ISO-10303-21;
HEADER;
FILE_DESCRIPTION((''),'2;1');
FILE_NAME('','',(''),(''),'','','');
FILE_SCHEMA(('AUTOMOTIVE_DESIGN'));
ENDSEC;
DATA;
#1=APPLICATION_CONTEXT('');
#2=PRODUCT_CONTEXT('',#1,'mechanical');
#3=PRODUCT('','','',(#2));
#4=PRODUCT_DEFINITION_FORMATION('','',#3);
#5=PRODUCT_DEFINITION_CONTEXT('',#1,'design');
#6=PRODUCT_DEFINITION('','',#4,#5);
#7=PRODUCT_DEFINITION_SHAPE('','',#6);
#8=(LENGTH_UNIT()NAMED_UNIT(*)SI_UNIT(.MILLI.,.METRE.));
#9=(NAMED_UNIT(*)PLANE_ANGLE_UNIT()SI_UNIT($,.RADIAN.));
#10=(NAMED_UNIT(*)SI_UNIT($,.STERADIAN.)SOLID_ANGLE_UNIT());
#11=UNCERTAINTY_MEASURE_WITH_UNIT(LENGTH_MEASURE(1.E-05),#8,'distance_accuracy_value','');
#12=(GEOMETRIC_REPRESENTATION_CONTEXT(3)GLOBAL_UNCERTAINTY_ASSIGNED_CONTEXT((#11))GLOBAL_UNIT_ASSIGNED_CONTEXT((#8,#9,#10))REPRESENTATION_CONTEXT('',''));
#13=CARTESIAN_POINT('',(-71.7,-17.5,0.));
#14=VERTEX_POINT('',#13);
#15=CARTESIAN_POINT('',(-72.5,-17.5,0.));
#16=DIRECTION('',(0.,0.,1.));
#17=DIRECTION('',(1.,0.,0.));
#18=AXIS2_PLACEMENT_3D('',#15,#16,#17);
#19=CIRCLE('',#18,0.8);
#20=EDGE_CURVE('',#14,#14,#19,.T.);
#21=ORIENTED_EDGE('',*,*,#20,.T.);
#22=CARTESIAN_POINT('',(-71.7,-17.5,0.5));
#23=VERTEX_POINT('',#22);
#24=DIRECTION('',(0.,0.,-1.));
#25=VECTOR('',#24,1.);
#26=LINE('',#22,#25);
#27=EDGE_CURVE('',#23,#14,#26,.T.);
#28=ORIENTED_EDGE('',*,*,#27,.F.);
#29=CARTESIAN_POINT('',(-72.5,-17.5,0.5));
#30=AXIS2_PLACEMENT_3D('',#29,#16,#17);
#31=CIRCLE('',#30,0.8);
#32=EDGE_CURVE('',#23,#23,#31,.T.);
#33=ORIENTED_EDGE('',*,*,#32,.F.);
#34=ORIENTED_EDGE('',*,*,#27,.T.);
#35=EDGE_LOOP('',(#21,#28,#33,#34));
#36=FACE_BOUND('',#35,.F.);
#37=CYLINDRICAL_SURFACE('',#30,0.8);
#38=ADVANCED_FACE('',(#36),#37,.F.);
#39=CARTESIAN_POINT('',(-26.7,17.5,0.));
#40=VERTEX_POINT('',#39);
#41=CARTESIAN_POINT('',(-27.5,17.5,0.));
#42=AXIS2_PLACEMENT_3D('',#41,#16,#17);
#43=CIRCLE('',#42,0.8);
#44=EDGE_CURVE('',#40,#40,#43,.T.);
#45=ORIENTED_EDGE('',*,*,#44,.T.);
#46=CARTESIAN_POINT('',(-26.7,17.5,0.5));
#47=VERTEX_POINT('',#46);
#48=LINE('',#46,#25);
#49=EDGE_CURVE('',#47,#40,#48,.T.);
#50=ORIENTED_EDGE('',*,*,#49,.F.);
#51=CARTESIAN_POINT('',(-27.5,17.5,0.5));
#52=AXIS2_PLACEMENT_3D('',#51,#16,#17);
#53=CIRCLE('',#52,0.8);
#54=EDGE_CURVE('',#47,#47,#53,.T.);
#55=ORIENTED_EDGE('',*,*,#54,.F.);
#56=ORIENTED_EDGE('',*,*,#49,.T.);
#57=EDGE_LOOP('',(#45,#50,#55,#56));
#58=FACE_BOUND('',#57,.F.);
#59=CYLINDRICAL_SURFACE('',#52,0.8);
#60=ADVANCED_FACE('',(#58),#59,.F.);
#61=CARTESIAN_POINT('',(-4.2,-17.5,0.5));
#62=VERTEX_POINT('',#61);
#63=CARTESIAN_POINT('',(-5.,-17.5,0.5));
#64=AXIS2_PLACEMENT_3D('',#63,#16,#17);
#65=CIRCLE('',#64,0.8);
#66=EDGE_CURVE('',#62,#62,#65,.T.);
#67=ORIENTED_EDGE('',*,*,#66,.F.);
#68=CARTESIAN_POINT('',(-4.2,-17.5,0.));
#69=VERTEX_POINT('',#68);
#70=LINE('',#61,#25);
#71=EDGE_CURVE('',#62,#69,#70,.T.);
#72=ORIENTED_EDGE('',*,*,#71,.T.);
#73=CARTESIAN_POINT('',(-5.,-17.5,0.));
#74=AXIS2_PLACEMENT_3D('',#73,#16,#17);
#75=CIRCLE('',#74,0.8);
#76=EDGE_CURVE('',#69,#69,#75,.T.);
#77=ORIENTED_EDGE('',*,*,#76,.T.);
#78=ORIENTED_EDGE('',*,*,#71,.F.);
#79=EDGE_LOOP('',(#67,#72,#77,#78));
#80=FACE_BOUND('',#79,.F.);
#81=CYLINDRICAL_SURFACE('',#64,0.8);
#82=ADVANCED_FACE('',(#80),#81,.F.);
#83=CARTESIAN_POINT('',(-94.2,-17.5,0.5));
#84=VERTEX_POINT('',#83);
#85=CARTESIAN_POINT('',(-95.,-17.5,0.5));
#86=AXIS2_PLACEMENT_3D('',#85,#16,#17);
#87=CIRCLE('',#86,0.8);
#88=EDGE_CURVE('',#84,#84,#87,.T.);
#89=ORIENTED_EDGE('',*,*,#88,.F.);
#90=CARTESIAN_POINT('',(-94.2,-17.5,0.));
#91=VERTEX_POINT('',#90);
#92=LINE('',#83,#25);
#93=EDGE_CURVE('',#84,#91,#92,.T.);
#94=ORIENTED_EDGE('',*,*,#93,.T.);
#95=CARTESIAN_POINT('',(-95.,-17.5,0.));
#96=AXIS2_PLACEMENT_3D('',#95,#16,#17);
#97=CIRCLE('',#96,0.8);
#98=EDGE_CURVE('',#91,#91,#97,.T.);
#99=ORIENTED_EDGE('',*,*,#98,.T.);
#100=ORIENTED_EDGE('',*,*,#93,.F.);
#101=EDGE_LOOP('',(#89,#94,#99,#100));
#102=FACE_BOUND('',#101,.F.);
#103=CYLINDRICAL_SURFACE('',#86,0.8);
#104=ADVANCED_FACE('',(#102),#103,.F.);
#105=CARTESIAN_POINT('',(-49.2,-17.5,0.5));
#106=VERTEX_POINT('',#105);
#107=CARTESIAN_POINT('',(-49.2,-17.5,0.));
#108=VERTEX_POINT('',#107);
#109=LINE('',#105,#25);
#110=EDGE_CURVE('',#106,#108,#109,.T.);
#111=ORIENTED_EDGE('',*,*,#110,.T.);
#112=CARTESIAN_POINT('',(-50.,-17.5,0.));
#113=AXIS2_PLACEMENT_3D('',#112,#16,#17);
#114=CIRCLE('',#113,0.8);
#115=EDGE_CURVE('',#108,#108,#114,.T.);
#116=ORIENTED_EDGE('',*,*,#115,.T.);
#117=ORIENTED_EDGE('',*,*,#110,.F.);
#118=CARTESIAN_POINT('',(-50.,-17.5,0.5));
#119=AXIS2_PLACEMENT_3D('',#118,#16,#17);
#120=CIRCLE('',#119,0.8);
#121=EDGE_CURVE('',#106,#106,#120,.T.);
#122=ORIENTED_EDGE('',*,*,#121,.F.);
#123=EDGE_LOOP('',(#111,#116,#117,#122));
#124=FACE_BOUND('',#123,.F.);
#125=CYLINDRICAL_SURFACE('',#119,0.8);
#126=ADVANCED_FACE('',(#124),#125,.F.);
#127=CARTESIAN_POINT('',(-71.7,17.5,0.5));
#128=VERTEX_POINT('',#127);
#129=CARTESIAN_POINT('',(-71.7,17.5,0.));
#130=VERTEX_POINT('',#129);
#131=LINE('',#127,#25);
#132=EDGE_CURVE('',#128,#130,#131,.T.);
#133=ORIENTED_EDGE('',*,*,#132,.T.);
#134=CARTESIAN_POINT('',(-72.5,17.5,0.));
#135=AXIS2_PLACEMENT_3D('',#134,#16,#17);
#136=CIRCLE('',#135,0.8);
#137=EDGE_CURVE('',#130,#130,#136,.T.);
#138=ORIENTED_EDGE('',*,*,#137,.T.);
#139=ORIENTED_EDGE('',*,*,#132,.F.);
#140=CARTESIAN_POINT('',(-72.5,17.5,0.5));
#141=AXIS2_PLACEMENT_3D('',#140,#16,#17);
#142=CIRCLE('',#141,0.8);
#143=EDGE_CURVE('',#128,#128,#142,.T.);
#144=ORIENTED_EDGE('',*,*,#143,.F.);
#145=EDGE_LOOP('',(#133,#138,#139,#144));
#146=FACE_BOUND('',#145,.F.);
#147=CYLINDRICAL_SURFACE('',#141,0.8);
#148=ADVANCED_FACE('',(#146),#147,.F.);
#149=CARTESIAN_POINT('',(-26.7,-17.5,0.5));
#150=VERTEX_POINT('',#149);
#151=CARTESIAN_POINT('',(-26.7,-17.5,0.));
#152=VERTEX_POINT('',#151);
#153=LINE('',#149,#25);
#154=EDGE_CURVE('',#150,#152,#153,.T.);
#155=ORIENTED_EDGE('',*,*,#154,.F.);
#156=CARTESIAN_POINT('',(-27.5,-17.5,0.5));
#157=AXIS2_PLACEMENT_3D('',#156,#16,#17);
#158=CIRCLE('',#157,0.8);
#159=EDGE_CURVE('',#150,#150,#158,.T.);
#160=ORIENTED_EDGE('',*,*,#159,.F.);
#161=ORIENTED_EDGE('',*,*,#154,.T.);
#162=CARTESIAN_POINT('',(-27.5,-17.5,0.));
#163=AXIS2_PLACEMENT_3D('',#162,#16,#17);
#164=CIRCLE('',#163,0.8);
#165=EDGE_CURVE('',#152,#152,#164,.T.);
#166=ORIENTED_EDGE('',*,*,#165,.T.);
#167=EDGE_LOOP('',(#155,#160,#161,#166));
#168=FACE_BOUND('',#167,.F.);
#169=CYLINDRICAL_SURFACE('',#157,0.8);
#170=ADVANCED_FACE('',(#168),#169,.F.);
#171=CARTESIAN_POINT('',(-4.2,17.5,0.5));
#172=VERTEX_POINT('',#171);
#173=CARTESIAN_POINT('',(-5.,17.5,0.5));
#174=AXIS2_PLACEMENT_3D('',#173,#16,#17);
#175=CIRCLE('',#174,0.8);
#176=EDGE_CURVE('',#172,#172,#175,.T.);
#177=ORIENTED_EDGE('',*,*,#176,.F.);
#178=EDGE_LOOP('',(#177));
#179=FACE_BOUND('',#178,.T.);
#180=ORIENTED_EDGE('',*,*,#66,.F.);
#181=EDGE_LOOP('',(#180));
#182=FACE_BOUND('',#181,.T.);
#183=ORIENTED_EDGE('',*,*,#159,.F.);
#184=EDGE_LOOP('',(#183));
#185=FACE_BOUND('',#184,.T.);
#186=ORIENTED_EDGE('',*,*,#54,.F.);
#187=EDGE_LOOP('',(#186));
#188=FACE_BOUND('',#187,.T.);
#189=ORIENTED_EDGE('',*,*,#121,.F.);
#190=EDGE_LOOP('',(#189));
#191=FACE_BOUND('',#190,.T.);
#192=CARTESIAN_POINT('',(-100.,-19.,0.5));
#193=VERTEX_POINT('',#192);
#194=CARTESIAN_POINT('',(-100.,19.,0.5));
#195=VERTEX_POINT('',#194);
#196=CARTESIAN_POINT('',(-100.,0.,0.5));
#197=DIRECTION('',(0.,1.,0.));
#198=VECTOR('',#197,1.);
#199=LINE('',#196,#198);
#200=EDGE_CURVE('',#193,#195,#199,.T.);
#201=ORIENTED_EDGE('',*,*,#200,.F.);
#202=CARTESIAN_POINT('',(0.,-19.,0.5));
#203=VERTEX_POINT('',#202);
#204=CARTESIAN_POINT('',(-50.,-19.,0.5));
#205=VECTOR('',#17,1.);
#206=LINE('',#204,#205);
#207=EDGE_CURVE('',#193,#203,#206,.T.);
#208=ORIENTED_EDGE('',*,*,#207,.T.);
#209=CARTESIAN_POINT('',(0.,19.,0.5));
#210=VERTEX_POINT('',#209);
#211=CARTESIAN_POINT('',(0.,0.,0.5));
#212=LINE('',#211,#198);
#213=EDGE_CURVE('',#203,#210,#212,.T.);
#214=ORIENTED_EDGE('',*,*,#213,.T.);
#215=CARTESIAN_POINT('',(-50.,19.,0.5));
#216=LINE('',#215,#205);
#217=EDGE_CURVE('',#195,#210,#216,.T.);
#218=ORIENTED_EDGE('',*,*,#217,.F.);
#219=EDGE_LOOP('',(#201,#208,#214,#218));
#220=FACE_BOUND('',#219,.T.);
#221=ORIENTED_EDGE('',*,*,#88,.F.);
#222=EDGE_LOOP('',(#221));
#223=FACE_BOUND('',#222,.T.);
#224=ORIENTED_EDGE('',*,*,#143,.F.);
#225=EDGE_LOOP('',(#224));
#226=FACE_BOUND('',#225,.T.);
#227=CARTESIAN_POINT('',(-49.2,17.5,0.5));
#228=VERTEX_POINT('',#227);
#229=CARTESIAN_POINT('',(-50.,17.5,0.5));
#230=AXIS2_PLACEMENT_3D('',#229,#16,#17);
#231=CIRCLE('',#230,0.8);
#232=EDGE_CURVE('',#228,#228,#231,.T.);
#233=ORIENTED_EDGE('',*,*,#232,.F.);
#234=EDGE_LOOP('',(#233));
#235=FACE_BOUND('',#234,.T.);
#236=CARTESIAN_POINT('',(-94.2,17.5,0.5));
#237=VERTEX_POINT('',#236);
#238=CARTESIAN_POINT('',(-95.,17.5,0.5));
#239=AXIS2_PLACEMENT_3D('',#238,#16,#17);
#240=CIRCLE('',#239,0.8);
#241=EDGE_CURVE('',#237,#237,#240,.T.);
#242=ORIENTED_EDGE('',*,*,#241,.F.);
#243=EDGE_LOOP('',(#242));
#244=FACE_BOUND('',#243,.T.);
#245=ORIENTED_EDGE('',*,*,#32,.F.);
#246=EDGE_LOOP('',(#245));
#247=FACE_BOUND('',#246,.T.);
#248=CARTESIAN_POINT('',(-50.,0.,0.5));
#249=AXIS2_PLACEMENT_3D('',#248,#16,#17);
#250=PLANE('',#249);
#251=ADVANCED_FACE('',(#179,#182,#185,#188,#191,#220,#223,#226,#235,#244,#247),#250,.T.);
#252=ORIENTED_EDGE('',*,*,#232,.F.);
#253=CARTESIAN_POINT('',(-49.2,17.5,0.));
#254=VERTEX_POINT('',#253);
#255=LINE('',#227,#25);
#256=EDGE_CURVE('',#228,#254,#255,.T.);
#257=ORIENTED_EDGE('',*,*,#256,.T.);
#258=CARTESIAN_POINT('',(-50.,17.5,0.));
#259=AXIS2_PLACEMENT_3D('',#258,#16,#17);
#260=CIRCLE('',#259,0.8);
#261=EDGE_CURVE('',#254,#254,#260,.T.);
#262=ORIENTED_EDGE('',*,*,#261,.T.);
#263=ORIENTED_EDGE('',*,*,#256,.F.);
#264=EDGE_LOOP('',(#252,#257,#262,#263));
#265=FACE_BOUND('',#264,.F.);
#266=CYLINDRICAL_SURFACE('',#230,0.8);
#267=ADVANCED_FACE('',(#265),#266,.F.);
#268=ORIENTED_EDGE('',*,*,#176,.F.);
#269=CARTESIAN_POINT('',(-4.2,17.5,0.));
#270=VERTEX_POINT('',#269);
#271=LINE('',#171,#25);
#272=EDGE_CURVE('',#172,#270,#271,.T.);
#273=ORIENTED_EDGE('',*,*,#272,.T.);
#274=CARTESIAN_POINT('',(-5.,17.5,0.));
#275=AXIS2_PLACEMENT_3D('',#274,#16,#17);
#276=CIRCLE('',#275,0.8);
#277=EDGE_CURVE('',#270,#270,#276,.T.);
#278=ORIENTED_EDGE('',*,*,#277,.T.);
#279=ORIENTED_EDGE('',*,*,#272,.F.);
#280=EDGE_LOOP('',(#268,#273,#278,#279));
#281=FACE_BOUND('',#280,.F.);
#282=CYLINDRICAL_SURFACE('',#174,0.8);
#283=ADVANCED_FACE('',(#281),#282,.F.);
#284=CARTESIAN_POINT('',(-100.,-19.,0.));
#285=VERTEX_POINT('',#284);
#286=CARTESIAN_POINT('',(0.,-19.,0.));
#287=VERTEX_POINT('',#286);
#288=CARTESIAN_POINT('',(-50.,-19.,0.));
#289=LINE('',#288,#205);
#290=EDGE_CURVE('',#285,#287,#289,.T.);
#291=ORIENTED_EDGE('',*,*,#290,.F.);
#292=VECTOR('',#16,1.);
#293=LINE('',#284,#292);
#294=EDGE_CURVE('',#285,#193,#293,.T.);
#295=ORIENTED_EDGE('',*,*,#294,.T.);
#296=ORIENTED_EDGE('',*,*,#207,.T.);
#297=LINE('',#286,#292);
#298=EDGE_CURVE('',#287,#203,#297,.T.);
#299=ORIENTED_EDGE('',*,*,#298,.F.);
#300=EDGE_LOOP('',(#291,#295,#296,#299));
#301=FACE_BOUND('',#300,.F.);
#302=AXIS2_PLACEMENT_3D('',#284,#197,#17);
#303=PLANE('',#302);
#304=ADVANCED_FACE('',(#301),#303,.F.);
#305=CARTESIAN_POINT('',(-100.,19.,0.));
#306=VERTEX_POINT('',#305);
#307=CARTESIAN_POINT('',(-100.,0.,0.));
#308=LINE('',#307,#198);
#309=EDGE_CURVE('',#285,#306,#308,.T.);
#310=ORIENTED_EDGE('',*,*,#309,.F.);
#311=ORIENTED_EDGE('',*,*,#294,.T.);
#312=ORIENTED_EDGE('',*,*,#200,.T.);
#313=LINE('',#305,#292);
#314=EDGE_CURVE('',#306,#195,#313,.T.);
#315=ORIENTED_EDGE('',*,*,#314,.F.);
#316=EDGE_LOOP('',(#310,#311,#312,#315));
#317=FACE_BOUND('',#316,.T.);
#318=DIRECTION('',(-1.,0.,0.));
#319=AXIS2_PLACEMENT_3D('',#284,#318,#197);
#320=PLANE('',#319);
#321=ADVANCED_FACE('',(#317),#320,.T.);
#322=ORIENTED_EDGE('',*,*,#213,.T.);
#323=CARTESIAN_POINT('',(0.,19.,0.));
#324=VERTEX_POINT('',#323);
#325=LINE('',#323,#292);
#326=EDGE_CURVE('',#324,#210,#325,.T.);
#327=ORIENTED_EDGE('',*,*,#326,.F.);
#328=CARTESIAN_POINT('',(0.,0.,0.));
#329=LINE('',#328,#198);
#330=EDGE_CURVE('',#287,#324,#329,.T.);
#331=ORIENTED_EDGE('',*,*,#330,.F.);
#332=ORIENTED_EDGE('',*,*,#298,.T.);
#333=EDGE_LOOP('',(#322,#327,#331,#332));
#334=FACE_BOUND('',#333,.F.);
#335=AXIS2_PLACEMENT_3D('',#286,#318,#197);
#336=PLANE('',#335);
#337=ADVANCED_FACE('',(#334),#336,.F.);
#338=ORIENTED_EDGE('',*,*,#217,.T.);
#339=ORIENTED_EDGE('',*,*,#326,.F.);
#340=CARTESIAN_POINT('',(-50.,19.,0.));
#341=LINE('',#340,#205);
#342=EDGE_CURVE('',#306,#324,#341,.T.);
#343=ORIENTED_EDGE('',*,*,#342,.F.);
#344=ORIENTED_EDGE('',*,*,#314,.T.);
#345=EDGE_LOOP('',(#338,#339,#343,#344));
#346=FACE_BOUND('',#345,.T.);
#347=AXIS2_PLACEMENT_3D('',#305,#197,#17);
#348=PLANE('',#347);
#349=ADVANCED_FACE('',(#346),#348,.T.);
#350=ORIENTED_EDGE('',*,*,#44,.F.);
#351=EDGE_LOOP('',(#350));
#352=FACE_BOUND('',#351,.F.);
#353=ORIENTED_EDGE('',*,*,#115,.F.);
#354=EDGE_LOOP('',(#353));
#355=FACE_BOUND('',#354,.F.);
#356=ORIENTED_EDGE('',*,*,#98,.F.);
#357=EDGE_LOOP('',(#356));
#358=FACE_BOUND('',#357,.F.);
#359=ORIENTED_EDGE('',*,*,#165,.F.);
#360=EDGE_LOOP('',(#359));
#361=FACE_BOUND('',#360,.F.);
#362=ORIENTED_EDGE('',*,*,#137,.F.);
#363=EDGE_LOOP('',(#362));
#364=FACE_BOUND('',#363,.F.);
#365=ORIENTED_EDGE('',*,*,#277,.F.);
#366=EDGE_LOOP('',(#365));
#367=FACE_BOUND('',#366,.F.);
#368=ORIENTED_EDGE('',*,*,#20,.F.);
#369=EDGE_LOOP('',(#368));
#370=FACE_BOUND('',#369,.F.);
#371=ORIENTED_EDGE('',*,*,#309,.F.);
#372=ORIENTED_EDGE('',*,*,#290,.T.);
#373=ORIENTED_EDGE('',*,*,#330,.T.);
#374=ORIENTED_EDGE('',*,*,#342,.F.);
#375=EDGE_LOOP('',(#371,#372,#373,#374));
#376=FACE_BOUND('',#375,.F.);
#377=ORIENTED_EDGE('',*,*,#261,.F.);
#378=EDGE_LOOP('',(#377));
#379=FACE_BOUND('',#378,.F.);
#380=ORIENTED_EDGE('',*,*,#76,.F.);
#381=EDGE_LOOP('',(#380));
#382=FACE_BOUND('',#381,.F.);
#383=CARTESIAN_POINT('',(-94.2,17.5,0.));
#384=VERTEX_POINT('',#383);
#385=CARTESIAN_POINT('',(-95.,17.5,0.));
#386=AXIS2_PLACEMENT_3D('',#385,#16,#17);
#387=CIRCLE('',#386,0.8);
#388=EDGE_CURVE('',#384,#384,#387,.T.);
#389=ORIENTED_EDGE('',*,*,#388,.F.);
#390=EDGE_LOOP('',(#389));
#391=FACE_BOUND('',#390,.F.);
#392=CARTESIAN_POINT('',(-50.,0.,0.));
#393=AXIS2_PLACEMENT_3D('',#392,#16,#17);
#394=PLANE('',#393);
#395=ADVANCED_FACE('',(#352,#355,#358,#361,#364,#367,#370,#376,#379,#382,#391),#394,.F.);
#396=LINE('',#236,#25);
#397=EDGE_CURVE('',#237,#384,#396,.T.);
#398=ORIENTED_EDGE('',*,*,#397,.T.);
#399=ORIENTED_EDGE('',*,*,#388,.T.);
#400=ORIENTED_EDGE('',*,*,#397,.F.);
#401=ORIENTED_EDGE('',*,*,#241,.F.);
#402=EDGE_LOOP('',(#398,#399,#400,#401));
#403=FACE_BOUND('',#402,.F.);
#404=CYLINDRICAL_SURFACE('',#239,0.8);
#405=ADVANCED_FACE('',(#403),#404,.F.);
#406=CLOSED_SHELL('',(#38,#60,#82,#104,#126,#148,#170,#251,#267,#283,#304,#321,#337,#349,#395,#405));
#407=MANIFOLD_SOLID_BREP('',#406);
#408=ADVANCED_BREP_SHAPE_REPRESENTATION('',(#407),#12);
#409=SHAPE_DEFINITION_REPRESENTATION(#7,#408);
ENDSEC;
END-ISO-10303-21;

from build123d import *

# Parameters (mm, degrees)
F0_W     = 100
F0_H     = 38
F1_DEPTH = 0.5
F2_R     = 0.8
F3_DEPTH = 0.501


with BuildPart() as f1:
    # F0 (on Top) → F1 (new body)
    with BuildSketch(Plane.XY):
        with Locations((-50, 0)):
            Rectangle(F0_W, F0_H)
    extrude(amount=F1_DEPTH)

    # F2 (on face) → F3 (cut, through all)
    with BuildSketch(Plane.XY.offset(0.5)):
        with Locations((-95, -17.5)):
            Circle(F2_R)
        with Locations((-72.5, -17.5)):
            Circle(F2_R)
        with Locations((-50, -17.5)):
            Circle(F2_R)
        with Locations((-27.5, -17.5)):
            Circle(F2_R)
        with Locations((-5, -17.5)):
            Circle(F2_R)
        with Locations((-5, 17.5)):
            Circle(F2_R)
        with Locations((-27.5, 17.5)):
            Circle(F2_R)
        with Locations((-50, 17.5)):
            Circle(F2_R)
        with Locations((-72.5, 17.5)):
            Circle(F2_R)
        with Locations((-95, 17.5)):
            Circle(F2_R)
    extrude(amount=-F3_DEPTH, mode=Mode.SUBTRACT)


solid = f1.part
